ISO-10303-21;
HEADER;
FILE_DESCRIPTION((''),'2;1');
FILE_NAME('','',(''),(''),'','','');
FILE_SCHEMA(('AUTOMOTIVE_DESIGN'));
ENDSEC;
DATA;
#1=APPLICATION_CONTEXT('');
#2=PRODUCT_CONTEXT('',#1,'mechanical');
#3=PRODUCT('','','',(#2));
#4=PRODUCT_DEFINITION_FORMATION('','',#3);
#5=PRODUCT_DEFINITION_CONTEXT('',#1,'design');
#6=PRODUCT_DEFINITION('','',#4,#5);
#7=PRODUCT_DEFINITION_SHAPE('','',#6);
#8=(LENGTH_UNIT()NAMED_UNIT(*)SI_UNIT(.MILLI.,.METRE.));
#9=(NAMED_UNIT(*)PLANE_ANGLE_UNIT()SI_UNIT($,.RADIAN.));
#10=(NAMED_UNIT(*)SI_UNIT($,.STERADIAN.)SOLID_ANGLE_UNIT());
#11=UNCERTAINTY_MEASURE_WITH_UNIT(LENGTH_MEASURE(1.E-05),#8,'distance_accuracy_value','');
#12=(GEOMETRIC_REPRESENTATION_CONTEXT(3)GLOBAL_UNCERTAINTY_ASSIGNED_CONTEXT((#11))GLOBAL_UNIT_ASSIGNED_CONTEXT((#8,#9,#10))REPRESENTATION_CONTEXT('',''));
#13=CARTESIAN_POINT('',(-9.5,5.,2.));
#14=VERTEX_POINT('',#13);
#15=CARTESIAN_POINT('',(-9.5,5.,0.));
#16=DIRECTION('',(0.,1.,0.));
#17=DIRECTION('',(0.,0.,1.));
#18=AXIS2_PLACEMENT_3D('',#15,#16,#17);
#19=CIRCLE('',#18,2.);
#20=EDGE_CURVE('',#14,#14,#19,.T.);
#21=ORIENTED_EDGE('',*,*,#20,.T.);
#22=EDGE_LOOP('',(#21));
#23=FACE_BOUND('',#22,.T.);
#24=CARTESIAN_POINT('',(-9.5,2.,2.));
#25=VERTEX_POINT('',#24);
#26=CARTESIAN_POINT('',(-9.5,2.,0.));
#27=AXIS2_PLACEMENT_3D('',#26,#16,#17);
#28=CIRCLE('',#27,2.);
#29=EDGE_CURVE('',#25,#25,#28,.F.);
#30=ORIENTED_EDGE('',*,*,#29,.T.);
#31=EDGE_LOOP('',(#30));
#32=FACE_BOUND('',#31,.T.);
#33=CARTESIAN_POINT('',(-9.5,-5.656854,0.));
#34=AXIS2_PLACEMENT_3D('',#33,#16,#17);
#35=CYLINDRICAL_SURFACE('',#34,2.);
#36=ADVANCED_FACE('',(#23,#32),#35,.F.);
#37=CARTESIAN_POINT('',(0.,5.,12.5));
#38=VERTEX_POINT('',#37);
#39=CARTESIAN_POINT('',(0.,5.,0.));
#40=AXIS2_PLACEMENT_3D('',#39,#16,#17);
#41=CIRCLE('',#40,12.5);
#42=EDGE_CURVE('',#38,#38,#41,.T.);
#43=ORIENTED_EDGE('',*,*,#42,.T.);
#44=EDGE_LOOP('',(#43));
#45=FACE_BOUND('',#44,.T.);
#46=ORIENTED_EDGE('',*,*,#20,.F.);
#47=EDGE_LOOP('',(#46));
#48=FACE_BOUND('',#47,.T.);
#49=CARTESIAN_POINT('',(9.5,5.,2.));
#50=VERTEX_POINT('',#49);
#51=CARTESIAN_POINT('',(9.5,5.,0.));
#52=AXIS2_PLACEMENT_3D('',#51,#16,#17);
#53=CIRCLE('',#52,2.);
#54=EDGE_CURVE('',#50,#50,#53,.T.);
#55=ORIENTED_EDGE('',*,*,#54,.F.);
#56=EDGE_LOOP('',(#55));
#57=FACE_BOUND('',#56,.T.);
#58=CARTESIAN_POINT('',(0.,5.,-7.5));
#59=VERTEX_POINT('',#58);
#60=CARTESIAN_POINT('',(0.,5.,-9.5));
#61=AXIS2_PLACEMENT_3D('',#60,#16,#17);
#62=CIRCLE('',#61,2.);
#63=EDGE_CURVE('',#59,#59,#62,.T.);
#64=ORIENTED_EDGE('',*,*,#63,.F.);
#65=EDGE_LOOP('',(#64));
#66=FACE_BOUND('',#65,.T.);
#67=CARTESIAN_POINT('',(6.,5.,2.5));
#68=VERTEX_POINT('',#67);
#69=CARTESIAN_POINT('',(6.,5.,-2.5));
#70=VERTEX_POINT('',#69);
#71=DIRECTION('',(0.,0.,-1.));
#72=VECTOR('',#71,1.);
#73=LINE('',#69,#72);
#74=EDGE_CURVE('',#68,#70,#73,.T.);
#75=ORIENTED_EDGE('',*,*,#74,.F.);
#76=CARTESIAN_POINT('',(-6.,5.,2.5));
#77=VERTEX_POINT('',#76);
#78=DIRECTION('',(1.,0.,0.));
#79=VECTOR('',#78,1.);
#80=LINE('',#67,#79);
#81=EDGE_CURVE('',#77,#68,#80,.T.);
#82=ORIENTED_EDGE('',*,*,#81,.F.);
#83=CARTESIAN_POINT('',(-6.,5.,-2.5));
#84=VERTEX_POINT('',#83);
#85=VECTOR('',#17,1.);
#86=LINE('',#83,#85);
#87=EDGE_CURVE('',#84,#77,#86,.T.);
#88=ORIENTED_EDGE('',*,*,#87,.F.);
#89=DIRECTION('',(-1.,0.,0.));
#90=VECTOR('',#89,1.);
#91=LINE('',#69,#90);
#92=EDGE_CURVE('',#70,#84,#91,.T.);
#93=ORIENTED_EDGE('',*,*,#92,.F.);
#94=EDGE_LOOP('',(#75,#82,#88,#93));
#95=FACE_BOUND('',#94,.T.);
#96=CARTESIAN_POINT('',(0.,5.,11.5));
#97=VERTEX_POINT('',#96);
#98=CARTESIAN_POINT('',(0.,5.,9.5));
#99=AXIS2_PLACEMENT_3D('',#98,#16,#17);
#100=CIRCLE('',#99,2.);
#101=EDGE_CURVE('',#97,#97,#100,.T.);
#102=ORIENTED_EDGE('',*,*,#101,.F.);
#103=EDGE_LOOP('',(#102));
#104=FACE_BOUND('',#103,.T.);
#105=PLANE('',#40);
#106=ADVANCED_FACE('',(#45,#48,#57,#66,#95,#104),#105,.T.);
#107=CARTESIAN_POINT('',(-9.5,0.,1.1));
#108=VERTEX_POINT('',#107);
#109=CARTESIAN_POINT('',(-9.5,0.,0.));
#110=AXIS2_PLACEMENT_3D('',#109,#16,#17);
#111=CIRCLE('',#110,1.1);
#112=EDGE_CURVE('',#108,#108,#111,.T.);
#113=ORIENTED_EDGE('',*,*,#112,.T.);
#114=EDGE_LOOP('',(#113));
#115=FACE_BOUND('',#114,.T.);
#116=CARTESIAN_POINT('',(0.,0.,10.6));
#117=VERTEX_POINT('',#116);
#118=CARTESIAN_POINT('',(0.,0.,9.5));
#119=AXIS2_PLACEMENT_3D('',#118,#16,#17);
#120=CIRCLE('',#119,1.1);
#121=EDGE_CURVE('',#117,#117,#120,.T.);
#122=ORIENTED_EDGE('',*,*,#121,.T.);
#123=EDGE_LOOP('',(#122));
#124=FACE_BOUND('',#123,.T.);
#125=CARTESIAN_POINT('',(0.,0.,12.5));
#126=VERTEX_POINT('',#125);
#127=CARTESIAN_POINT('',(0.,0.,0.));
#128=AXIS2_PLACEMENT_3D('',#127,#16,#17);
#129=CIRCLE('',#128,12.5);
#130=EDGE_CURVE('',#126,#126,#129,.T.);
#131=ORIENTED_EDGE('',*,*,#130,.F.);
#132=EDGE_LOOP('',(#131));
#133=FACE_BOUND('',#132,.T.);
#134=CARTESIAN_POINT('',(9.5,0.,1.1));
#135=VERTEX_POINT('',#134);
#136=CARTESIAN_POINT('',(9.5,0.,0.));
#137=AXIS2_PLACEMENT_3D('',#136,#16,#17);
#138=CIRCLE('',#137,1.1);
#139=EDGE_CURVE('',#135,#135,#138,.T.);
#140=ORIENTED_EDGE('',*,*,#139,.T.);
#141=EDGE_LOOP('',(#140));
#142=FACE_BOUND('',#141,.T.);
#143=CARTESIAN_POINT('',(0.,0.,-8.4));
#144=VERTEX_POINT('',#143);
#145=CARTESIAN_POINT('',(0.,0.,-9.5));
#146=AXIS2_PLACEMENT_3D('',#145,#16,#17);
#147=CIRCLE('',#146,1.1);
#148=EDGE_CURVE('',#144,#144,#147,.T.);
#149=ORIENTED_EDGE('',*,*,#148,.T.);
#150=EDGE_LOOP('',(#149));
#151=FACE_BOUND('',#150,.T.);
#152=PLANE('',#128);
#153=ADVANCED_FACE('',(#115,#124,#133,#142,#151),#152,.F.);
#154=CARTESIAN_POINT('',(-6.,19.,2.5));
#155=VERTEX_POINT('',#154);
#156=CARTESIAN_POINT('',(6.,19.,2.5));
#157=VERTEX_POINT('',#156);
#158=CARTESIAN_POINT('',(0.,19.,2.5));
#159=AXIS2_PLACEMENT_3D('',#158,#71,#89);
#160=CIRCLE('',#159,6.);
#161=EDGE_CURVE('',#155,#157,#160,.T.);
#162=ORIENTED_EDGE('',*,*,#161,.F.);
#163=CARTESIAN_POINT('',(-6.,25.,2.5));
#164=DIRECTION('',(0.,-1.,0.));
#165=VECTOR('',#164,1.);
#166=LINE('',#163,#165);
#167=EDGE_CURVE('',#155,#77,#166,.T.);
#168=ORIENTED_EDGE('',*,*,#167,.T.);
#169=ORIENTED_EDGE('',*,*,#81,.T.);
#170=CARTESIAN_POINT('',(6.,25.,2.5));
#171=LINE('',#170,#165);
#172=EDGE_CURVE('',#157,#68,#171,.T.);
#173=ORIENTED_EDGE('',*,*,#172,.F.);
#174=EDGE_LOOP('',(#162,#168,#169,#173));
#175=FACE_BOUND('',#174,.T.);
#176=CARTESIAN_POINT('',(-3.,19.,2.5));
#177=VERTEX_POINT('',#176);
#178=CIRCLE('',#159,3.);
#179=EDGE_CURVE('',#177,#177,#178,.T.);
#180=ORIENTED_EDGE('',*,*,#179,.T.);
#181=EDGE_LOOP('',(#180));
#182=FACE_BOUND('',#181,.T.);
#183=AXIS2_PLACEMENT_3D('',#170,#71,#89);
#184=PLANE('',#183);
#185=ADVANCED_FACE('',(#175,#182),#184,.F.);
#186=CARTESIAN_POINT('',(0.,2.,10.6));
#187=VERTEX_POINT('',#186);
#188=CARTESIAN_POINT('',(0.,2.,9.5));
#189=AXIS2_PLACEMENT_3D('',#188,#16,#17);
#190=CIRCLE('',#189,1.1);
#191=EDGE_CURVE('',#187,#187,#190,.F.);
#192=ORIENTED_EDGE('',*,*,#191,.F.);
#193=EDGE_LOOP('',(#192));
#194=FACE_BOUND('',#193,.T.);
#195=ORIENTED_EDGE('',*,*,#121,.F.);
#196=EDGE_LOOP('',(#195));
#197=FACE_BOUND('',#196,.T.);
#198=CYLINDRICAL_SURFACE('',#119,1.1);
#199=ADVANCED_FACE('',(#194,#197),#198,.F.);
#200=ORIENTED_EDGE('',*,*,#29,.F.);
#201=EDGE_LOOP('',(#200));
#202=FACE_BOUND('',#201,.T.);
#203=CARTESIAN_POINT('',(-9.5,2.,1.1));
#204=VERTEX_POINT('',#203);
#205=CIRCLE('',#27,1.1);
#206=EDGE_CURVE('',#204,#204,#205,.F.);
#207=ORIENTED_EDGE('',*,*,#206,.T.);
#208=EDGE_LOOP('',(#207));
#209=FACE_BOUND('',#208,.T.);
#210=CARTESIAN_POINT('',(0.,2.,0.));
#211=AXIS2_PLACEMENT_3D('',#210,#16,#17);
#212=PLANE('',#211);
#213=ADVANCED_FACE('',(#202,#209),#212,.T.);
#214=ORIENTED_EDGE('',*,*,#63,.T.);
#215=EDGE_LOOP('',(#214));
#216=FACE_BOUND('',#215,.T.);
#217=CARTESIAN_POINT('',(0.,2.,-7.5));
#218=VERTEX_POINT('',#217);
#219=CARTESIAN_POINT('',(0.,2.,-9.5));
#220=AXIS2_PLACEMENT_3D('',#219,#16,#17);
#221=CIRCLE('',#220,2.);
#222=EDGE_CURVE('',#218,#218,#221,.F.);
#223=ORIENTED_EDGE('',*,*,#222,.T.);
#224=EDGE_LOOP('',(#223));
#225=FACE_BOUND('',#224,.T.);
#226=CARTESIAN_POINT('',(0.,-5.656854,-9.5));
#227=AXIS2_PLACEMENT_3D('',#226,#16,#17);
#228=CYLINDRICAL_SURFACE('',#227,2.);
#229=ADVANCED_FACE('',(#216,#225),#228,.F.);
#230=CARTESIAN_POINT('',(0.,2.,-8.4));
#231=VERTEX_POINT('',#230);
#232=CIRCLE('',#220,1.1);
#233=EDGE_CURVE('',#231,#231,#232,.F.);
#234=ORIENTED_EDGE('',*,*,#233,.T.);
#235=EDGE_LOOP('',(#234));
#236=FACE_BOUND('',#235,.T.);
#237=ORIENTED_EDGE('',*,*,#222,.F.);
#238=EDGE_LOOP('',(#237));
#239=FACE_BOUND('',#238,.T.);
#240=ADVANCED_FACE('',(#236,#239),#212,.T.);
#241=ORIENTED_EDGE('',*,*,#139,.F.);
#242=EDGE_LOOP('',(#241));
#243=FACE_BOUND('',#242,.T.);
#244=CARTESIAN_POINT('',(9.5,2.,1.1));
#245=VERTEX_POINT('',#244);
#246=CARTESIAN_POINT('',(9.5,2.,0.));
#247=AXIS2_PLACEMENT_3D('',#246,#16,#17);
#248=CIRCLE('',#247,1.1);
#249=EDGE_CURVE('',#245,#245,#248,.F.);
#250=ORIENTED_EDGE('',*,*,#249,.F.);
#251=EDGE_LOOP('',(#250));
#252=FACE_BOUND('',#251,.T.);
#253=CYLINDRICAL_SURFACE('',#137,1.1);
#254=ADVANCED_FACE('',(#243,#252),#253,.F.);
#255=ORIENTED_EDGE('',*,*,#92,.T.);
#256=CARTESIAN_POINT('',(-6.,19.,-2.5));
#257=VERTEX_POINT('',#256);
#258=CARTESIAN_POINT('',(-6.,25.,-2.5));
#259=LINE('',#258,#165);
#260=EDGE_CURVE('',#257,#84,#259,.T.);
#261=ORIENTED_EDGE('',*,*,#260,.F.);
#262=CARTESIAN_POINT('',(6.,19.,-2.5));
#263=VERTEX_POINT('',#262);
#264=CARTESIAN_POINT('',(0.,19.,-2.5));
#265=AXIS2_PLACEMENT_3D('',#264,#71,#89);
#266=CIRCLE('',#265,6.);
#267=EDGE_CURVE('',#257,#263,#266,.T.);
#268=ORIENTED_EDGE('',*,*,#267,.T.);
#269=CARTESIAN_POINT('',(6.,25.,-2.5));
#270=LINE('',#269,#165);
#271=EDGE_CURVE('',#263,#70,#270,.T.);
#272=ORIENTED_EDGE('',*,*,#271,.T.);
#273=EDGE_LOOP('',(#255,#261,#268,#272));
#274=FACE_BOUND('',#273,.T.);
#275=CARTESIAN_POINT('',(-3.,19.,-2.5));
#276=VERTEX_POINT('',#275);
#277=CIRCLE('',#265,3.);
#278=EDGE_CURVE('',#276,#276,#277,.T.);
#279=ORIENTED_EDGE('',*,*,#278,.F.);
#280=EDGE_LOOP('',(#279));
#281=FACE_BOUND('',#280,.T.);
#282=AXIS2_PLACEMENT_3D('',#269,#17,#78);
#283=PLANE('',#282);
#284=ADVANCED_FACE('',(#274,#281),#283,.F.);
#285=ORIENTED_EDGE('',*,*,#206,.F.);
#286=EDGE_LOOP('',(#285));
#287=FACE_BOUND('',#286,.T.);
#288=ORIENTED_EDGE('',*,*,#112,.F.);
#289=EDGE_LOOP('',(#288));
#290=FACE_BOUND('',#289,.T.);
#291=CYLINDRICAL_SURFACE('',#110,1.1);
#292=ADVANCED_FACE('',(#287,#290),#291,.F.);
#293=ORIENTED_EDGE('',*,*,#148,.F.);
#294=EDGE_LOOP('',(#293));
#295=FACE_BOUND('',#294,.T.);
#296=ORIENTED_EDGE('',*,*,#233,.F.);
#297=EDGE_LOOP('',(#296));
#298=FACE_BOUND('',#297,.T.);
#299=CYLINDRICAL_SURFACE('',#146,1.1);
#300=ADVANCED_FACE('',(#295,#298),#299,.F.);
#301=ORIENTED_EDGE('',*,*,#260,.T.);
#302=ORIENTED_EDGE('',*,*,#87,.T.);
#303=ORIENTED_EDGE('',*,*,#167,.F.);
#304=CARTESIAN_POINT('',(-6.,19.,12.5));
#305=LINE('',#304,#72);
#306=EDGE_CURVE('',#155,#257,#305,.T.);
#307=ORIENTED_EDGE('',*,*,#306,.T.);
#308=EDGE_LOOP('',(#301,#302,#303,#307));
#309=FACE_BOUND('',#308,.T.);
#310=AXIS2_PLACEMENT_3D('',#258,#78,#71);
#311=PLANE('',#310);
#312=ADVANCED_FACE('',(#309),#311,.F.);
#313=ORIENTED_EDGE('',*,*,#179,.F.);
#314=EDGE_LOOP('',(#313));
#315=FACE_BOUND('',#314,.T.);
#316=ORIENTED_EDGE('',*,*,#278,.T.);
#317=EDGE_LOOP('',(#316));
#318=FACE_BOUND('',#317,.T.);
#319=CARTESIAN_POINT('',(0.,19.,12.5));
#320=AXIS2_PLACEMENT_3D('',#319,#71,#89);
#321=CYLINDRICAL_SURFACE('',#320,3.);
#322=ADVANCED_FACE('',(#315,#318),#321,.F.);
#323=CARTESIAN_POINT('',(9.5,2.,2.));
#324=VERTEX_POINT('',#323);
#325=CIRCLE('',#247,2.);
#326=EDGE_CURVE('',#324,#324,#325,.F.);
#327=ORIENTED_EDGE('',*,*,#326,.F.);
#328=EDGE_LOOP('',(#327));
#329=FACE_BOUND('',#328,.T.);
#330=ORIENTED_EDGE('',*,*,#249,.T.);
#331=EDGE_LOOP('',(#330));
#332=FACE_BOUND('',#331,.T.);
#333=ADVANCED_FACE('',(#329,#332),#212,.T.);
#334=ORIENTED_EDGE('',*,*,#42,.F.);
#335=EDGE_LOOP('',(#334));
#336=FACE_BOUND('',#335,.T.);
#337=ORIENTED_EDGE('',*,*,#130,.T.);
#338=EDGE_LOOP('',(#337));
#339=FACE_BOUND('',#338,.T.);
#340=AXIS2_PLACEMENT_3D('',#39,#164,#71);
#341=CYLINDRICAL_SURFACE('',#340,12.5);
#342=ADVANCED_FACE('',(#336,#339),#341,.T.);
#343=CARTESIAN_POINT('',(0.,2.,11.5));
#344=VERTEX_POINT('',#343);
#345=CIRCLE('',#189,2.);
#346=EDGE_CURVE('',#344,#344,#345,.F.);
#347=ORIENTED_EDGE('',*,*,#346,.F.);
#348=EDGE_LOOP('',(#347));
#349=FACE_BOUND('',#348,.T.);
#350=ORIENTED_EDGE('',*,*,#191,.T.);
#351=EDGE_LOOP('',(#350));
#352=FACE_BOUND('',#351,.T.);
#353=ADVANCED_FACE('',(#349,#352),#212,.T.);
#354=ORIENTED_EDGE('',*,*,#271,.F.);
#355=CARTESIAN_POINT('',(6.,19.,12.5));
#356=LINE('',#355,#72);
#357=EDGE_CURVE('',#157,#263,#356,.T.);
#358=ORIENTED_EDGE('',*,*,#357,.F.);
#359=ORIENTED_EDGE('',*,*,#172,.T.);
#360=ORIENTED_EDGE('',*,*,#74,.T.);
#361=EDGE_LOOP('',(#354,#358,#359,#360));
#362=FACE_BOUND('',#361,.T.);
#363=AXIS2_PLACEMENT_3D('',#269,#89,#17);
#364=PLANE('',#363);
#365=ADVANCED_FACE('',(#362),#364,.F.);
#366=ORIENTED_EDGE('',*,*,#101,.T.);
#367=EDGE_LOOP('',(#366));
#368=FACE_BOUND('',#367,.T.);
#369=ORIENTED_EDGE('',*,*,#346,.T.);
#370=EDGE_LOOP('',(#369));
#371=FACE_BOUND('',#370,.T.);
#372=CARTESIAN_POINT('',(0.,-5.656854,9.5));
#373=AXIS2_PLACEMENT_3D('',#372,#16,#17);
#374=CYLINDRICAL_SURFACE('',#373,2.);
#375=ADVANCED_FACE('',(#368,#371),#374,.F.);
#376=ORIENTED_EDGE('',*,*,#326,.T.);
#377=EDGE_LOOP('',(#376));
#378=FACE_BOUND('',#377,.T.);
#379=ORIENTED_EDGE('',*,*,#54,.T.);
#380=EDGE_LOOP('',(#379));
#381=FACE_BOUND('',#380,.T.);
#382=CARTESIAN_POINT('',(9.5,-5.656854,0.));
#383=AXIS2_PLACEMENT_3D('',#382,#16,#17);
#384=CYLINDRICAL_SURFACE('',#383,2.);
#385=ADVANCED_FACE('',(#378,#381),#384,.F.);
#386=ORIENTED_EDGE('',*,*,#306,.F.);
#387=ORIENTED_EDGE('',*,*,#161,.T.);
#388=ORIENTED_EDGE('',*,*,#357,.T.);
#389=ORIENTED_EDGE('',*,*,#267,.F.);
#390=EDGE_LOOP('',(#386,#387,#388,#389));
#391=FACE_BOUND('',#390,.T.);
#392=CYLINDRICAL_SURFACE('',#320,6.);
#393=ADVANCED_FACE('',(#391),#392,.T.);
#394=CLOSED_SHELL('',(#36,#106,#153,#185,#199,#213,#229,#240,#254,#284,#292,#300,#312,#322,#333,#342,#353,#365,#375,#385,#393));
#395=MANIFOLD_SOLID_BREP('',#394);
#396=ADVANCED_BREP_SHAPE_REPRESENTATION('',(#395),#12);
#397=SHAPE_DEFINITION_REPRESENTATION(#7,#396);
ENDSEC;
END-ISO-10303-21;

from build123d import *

# Parameters (mm, degrees)
SKETCH_1_R          = 12.5
EXTRUDE_1_DEPTH     = 5
SKETCH_2_R          = 1.1
CUT_EXTRUDE_1_DEPTH = 19.371173071
SKETCH_2_3_R        = 2
CUT_EXTRUDE_2_DEPTH = 3
SKETCH_3_W          = 12
SKETCH_3_H          = 5
EXTRUDE_2_DEPTH     = 20
SKETCH_4_R          = 3
CUT_EXTRUDE_3_DEPTH = 32.721443851


with BuildPart() as part:
    # 草图1 → 凸台-拉伸1 (new body)
    with BuildSketch(Plane(origin=(0, 0, 0), x_dir=(1, 0, 0), z_dir=(0, 1, 0))):
        with Locations(Location((0, 0, 0), (0, 0, 270))):
            Circle(SKETCH_1_R)
    extrude(amount=EXTRUDE_1_DEPTH)

    # 草图2 → 切除-拉伸1 (cut, through all)
    with BuildSketch(Plane(origin=(0, 5, 0), x_dir=(1, 0, 0), z_dir=(0, 1, 0))):
        with Locations(Location((0, -9.5, 0), (0, 0, 270))):
            Circle(SKETCH_2_R)
        with Locations(Location((0, 9.5, 0), (0, 0, 270))):
            Circle(SKETCH_2_R)
        with Locations(Location((9.5, 0, 0), (0, 0, 270))):
            Circle(SKETCH_2_R)
        with Locations(Location((-9.5, 0, 0), (0, 0, 270))):
            Circle(SKETCH_2_R)
    extrude(amount=-CUT_EXTRUDE_1_DEPTH, mode=Mode.SUBTRACT)

    # 草图2<3> → 切除-拉伸2 (cut)
    with BuildSketch(Plane(origin=(0, 5, 0), x_dir=(1, 0, 0), z_dir=(0, 1, 0))):
        with Locations(Location((-9.5, 0, 0), (0, 0, 270))):
            Circle(SKETCH_2_3_R)
        with Locations(Location((0, 9.5, 0), (0, 0, 270))):
            Circle(SKETCH_2_3_R)
        with Locations(Location((9.5, 0, 0), (0, 0, 270))):
            Circle(SKETCH_2_3_R)
        with Locations(Location((0, -9.5, 0), (0, 0, 270))):
            Circle(SKETCH_2_3_R)
    extrude(amount=-CUT_EXTRUDE_2_DEPTH, mode=Mode.SUBTRACT)

    # 草图3 → 凸台-拉伸2 (add)
    with BuildSketch(Plane(origin=(0, 5, 0), x_dir=(1, 0, 0), z_dir=(0, 1, 0))):
        Rectangle(SKETCH_3_W, SKETCH_3_H)
    extrude(amount=EXTRUDE_2_DEPTH)

    # 草图4 → 切除-拉伸3 (cut, through all)
    with BuildSketch(Plane(origin=(0, 0, -2.5), x_dir=(-1, 0, 0), z_dir=(0, 0, -1))):
        with BuildLine():
            ThreePointArc((0, 25), (4.242640687, 23.242640687), (6, 19))
            Line((6, 19), (6, 25))
            Line((6, 25), (0, 25))
        make_face()
        with BuildLine():
            ThreePointArc((-6, 19), (-4.242640687, 23.242640687), (0, 25))
            Line((0, 25), (-6, 25))
            Line((-6, 25), (-6, 19))
        make_face()
        with Locations((0, 19)):
            Circle(SKETCH_4_R)
    extrude(amount=-CUT_EXTRUDE_3_DEPTH, mode=Mode.SUBTRACT)


solid = part.part
